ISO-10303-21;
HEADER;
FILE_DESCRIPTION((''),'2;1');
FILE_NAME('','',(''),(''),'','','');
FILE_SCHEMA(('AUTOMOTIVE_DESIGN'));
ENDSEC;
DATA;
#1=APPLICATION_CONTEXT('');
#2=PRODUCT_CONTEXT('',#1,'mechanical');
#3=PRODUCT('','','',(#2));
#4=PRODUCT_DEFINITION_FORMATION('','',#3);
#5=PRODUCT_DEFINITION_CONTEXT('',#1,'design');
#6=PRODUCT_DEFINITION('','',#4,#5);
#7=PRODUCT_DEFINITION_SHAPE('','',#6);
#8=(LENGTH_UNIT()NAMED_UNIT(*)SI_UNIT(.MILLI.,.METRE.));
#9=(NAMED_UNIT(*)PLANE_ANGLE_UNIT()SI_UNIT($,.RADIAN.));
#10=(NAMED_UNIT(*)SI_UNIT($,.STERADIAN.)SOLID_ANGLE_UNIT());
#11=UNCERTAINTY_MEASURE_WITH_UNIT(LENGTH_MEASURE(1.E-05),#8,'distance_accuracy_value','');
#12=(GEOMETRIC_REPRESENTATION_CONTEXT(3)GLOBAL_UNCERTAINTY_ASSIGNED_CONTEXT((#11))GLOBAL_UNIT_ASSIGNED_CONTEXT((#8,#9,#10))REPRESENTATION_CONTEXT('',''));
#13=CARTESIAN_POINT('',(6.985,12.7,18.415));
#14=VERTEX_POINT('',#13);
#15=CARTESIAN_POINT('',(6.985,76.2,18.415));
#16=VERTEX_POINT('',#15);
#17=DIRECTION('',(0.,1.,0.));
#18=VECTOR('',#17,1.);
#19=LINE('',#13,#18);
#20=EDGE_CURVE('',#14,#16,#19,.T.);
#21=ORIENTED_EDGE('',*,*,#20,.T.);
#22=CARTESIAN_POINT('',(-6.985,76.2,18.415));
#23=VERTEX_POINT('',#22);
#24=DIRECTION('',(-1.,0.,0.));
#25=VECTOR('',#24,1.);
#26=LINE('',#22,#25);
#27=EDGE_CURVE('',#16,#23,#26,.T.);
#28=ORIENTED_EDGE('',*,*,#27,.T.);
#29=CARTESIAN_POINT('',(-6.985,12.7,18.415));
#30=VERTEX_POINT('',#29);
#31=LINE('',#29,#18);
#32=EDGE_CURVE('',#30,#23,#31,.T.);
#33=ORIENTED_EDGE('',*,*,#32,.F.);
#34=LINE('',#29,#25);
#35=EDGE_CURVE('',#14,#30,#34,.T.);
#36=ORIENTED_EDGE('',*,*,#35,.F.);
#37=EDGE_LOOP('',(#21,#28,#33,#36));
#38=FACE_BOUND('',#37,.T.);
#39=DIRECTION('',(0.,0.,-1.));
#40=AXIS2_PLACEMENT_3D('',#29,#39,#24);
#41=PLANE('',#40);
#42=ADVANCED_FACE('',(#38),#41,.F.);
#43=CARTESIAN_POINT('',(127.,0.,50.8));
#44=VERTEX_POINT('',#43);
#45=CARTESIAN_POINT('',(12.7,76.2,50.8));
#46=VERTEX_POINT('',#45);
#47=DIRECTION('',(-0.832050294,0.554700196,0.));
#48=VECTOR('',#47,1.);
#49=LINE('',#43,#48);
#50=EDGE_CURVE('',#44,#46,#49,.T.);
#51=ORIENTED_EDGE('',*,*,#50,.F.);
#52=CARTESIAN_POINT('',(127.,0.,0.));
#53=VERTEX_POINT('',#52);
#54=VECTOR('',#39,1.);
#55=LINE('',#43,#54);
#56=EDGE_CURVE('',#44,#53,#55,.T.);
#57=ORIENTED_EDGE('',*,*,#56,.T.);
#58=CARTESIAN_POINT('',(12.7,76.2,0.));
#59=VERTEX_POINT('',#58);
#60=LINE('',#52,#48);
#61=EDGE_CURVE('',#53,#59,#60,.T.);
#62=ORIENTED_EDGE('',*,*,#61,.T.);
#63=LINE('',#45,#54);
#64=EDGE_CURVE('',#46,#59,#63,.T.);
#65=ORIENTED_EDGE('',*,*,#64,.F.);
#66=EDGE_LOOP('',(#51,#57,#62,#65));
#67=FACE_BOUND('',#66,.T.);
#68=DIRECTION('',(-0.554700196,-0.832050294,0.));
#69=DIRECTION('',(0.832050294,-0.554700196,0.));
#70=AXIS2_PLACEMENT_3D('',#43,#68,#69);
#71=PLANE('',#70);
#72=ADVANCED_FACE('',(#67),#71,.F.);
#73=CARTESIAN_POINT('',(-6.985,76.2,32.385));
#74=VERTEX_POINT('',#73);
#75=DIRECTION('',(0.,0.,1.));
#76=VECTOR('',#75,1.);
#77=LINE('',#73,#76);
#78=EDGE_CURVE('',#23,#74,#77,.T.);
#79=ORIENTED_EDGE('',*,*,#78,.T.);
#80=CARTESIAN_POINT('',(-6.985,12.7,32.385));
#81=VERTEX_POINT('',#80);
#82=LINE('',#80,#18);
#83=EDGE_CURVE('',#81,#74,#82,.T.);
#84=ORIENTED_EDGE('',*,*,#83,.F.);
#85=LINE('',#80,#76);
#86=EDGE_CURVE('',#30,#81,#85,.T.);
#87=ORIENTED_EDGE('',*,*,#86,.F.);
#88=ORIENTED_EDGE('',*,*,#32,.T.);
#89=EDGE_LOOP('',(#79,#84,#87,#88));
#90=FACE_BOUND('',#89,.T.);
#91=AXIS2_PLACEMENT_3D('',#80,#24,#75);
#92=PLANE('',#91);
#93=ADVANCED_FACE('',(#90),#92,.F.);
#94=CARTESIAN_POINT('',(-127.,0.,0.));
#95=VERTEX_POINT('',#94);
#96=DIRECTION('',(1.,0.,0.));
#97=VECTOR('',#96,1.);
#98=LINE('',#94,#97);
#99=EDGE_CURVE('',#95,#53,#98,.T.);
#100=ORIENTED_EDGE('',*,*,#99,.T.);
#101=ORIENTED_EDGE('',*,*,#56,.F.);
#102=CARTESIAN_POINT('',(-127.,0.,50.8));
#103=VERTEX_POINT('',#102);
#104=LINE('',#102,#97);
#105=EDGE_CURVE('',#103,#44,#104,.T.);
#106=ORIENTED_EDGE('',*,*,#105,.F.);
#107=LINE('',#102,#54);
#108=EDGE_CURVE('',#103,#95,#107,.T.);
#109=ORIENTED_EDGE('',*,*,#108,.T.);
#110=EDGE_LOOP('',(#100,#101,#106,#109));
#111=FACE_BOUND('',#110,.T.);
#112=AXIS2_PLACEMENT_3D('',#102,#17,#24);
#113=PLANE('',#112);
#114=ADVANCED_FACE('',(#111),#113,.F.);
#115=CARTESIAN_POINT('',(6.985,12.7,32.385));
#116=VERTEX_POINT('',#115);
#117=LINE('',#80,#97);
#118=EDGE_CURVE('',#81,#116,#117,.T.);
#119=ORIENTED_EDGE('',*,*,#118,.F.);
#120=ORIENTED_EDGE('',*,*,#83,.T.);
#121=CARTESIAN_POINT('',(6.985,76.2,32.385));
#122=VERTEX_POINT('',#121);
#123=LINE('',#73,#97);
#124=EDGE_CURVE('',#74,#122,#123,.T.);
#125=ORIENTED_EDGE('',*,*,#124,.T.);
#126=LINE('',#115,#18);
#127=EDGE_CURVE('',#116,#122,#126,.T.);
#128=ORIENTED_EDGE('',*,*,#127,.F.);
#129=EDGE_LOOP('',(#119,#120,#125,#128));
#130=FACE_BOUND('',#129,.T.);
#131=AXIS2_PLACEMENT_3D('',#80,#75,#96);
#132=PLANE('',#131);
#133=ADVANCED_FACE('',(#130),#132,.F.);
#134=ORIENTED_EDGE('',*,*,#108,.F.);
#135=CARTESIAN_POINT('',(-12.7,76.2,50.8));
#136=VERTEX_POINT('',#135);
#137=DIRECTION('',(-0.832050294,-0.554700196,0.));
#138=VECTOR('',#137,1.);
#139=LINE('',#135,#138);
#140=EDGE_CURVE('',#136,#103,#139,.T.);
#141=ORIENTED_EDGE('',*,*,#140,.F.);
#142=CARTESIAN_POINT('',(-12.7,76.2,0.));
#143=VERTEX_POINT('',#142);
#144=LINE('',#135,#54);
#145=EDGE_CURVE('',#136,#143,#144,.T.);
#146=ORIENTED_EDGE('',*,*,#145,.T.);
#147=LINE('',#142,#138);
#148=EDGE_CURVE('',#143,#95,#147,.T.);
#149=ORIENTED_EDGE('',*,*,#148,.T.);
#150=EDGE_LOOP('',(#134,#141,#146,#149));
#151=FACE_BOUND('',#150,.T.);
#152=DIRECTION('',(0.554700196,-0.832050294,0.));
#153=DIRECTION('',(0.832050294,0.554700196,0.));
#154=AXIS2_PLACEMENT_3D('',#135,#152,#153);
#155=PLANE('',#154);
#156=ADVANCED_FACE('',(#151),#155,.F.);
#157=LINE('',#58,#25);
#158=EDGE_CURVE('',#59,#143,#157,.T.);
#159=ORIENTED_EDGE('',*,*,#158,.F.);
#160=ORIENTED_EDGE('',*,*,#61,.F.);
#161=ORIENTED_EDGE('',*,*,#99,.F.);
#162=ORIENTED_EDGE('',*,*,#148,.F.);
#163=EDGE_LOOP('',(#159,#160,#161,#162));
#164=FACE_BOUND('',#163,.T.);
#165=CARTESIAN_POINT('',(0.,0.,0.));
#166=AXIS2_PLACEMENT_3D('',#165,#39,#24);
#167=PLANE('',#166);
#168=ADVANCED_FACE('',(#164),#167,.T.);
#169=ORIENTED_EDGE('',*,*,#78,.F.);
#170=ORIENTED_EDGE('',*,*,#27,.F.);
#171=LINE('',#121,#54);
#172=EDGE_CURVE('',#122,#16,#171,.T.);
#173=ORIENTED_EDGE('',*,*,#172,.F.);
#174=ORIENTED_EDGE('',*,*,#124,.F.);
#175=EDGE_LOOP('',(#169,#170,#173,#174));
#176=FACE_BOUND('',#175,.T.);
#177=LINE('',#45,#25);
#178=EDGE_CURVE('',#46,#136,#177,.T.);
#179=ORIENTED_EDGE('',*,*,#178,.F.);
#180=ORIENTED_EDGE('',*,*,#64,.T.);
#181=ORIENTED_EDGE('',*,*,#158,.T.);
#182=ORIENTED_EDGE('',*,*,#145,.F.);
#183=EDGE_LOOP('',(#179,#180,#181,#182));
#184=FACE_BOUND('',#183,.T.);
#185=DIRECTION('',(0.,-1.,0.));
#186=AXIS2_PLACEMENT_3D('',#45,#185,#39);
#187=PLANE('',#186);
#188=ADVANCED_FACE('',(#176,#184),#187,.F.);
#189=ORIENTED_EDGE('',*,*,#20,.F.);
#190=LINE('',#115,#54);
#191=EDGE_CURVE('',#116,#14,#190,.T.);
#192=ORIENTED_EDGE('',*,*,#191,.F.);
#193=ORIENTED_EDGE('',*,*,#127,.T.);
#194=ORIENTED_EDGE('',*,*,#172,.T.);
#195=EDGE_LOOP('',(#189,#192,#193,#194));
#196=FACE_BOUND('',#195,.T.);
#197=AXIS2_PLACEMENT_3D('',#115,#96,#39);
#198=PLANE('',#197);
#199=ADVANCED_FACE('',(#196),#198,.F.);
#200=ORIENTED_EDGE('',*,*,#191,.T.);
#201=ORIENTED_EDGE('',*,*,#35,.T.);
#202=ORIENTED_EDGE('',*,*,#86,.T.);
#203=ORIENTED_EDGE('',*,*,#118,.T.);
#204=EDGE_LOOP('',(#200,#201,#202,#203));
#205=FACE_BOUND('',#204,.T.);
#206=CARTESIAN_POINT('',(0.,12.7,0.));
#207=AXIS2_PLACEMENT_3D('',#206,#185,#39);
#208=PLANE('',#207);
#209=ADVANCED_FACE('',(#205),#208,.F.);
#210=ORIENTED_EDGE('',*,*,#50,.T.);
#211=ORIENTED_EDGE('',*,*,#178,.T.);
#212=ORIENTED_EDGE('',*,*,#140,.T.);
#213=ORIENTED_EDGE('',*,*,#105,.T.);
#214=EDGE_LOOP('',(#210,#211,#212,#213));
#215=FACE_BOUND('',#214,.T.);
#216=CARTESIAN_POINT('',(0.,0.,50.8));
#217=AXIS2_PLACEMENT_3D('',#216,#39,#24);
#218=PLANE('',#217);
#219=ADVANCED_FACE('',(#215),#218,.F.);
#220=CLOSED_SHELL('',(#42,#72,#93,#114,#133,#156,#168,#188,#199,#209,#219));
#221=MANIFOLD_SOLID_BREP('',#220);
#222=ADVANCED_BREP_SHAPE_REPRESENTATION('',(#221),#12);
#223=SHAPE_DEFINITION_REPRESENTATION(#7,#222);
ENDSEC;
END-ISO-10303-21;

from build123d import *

# Parameters (mm, degrees)
BOSS_EXTRUDE1_DEPTH = 50.8
SKETCH2_W           = 13.97
SKETCH2_H           = 13.97
CUT_EXTRUDE1_DEPTH  = 63.5


with BuildPart() as part:
    # Sketch1 → Boss-Extrude1 (new body)
    with BuildSketch(Plane.XY):
        Polygon((-127, 0), (127, 0), (12.7, 76.2), (-12.7, 76.2), align=None)
    extrude(amount=BOSS_EXTRUDE1_DEPTH)

    # Sketch2 → Cut-Extrude1 (cut)
    with BuildSketch(Plane(origin=(0, 76.2, 0), x_dir=(1, 0, 0), z_dir=(0, 1, 0))):
        with Locations((0, -25.4)):
            Rectangle(SKETCH2_W, SKETCH2_H)
    extrude(amount=-CUT_EXTRUDE1_DEPTH, mode=Mode.SUBTRACT)


solid = part.part
